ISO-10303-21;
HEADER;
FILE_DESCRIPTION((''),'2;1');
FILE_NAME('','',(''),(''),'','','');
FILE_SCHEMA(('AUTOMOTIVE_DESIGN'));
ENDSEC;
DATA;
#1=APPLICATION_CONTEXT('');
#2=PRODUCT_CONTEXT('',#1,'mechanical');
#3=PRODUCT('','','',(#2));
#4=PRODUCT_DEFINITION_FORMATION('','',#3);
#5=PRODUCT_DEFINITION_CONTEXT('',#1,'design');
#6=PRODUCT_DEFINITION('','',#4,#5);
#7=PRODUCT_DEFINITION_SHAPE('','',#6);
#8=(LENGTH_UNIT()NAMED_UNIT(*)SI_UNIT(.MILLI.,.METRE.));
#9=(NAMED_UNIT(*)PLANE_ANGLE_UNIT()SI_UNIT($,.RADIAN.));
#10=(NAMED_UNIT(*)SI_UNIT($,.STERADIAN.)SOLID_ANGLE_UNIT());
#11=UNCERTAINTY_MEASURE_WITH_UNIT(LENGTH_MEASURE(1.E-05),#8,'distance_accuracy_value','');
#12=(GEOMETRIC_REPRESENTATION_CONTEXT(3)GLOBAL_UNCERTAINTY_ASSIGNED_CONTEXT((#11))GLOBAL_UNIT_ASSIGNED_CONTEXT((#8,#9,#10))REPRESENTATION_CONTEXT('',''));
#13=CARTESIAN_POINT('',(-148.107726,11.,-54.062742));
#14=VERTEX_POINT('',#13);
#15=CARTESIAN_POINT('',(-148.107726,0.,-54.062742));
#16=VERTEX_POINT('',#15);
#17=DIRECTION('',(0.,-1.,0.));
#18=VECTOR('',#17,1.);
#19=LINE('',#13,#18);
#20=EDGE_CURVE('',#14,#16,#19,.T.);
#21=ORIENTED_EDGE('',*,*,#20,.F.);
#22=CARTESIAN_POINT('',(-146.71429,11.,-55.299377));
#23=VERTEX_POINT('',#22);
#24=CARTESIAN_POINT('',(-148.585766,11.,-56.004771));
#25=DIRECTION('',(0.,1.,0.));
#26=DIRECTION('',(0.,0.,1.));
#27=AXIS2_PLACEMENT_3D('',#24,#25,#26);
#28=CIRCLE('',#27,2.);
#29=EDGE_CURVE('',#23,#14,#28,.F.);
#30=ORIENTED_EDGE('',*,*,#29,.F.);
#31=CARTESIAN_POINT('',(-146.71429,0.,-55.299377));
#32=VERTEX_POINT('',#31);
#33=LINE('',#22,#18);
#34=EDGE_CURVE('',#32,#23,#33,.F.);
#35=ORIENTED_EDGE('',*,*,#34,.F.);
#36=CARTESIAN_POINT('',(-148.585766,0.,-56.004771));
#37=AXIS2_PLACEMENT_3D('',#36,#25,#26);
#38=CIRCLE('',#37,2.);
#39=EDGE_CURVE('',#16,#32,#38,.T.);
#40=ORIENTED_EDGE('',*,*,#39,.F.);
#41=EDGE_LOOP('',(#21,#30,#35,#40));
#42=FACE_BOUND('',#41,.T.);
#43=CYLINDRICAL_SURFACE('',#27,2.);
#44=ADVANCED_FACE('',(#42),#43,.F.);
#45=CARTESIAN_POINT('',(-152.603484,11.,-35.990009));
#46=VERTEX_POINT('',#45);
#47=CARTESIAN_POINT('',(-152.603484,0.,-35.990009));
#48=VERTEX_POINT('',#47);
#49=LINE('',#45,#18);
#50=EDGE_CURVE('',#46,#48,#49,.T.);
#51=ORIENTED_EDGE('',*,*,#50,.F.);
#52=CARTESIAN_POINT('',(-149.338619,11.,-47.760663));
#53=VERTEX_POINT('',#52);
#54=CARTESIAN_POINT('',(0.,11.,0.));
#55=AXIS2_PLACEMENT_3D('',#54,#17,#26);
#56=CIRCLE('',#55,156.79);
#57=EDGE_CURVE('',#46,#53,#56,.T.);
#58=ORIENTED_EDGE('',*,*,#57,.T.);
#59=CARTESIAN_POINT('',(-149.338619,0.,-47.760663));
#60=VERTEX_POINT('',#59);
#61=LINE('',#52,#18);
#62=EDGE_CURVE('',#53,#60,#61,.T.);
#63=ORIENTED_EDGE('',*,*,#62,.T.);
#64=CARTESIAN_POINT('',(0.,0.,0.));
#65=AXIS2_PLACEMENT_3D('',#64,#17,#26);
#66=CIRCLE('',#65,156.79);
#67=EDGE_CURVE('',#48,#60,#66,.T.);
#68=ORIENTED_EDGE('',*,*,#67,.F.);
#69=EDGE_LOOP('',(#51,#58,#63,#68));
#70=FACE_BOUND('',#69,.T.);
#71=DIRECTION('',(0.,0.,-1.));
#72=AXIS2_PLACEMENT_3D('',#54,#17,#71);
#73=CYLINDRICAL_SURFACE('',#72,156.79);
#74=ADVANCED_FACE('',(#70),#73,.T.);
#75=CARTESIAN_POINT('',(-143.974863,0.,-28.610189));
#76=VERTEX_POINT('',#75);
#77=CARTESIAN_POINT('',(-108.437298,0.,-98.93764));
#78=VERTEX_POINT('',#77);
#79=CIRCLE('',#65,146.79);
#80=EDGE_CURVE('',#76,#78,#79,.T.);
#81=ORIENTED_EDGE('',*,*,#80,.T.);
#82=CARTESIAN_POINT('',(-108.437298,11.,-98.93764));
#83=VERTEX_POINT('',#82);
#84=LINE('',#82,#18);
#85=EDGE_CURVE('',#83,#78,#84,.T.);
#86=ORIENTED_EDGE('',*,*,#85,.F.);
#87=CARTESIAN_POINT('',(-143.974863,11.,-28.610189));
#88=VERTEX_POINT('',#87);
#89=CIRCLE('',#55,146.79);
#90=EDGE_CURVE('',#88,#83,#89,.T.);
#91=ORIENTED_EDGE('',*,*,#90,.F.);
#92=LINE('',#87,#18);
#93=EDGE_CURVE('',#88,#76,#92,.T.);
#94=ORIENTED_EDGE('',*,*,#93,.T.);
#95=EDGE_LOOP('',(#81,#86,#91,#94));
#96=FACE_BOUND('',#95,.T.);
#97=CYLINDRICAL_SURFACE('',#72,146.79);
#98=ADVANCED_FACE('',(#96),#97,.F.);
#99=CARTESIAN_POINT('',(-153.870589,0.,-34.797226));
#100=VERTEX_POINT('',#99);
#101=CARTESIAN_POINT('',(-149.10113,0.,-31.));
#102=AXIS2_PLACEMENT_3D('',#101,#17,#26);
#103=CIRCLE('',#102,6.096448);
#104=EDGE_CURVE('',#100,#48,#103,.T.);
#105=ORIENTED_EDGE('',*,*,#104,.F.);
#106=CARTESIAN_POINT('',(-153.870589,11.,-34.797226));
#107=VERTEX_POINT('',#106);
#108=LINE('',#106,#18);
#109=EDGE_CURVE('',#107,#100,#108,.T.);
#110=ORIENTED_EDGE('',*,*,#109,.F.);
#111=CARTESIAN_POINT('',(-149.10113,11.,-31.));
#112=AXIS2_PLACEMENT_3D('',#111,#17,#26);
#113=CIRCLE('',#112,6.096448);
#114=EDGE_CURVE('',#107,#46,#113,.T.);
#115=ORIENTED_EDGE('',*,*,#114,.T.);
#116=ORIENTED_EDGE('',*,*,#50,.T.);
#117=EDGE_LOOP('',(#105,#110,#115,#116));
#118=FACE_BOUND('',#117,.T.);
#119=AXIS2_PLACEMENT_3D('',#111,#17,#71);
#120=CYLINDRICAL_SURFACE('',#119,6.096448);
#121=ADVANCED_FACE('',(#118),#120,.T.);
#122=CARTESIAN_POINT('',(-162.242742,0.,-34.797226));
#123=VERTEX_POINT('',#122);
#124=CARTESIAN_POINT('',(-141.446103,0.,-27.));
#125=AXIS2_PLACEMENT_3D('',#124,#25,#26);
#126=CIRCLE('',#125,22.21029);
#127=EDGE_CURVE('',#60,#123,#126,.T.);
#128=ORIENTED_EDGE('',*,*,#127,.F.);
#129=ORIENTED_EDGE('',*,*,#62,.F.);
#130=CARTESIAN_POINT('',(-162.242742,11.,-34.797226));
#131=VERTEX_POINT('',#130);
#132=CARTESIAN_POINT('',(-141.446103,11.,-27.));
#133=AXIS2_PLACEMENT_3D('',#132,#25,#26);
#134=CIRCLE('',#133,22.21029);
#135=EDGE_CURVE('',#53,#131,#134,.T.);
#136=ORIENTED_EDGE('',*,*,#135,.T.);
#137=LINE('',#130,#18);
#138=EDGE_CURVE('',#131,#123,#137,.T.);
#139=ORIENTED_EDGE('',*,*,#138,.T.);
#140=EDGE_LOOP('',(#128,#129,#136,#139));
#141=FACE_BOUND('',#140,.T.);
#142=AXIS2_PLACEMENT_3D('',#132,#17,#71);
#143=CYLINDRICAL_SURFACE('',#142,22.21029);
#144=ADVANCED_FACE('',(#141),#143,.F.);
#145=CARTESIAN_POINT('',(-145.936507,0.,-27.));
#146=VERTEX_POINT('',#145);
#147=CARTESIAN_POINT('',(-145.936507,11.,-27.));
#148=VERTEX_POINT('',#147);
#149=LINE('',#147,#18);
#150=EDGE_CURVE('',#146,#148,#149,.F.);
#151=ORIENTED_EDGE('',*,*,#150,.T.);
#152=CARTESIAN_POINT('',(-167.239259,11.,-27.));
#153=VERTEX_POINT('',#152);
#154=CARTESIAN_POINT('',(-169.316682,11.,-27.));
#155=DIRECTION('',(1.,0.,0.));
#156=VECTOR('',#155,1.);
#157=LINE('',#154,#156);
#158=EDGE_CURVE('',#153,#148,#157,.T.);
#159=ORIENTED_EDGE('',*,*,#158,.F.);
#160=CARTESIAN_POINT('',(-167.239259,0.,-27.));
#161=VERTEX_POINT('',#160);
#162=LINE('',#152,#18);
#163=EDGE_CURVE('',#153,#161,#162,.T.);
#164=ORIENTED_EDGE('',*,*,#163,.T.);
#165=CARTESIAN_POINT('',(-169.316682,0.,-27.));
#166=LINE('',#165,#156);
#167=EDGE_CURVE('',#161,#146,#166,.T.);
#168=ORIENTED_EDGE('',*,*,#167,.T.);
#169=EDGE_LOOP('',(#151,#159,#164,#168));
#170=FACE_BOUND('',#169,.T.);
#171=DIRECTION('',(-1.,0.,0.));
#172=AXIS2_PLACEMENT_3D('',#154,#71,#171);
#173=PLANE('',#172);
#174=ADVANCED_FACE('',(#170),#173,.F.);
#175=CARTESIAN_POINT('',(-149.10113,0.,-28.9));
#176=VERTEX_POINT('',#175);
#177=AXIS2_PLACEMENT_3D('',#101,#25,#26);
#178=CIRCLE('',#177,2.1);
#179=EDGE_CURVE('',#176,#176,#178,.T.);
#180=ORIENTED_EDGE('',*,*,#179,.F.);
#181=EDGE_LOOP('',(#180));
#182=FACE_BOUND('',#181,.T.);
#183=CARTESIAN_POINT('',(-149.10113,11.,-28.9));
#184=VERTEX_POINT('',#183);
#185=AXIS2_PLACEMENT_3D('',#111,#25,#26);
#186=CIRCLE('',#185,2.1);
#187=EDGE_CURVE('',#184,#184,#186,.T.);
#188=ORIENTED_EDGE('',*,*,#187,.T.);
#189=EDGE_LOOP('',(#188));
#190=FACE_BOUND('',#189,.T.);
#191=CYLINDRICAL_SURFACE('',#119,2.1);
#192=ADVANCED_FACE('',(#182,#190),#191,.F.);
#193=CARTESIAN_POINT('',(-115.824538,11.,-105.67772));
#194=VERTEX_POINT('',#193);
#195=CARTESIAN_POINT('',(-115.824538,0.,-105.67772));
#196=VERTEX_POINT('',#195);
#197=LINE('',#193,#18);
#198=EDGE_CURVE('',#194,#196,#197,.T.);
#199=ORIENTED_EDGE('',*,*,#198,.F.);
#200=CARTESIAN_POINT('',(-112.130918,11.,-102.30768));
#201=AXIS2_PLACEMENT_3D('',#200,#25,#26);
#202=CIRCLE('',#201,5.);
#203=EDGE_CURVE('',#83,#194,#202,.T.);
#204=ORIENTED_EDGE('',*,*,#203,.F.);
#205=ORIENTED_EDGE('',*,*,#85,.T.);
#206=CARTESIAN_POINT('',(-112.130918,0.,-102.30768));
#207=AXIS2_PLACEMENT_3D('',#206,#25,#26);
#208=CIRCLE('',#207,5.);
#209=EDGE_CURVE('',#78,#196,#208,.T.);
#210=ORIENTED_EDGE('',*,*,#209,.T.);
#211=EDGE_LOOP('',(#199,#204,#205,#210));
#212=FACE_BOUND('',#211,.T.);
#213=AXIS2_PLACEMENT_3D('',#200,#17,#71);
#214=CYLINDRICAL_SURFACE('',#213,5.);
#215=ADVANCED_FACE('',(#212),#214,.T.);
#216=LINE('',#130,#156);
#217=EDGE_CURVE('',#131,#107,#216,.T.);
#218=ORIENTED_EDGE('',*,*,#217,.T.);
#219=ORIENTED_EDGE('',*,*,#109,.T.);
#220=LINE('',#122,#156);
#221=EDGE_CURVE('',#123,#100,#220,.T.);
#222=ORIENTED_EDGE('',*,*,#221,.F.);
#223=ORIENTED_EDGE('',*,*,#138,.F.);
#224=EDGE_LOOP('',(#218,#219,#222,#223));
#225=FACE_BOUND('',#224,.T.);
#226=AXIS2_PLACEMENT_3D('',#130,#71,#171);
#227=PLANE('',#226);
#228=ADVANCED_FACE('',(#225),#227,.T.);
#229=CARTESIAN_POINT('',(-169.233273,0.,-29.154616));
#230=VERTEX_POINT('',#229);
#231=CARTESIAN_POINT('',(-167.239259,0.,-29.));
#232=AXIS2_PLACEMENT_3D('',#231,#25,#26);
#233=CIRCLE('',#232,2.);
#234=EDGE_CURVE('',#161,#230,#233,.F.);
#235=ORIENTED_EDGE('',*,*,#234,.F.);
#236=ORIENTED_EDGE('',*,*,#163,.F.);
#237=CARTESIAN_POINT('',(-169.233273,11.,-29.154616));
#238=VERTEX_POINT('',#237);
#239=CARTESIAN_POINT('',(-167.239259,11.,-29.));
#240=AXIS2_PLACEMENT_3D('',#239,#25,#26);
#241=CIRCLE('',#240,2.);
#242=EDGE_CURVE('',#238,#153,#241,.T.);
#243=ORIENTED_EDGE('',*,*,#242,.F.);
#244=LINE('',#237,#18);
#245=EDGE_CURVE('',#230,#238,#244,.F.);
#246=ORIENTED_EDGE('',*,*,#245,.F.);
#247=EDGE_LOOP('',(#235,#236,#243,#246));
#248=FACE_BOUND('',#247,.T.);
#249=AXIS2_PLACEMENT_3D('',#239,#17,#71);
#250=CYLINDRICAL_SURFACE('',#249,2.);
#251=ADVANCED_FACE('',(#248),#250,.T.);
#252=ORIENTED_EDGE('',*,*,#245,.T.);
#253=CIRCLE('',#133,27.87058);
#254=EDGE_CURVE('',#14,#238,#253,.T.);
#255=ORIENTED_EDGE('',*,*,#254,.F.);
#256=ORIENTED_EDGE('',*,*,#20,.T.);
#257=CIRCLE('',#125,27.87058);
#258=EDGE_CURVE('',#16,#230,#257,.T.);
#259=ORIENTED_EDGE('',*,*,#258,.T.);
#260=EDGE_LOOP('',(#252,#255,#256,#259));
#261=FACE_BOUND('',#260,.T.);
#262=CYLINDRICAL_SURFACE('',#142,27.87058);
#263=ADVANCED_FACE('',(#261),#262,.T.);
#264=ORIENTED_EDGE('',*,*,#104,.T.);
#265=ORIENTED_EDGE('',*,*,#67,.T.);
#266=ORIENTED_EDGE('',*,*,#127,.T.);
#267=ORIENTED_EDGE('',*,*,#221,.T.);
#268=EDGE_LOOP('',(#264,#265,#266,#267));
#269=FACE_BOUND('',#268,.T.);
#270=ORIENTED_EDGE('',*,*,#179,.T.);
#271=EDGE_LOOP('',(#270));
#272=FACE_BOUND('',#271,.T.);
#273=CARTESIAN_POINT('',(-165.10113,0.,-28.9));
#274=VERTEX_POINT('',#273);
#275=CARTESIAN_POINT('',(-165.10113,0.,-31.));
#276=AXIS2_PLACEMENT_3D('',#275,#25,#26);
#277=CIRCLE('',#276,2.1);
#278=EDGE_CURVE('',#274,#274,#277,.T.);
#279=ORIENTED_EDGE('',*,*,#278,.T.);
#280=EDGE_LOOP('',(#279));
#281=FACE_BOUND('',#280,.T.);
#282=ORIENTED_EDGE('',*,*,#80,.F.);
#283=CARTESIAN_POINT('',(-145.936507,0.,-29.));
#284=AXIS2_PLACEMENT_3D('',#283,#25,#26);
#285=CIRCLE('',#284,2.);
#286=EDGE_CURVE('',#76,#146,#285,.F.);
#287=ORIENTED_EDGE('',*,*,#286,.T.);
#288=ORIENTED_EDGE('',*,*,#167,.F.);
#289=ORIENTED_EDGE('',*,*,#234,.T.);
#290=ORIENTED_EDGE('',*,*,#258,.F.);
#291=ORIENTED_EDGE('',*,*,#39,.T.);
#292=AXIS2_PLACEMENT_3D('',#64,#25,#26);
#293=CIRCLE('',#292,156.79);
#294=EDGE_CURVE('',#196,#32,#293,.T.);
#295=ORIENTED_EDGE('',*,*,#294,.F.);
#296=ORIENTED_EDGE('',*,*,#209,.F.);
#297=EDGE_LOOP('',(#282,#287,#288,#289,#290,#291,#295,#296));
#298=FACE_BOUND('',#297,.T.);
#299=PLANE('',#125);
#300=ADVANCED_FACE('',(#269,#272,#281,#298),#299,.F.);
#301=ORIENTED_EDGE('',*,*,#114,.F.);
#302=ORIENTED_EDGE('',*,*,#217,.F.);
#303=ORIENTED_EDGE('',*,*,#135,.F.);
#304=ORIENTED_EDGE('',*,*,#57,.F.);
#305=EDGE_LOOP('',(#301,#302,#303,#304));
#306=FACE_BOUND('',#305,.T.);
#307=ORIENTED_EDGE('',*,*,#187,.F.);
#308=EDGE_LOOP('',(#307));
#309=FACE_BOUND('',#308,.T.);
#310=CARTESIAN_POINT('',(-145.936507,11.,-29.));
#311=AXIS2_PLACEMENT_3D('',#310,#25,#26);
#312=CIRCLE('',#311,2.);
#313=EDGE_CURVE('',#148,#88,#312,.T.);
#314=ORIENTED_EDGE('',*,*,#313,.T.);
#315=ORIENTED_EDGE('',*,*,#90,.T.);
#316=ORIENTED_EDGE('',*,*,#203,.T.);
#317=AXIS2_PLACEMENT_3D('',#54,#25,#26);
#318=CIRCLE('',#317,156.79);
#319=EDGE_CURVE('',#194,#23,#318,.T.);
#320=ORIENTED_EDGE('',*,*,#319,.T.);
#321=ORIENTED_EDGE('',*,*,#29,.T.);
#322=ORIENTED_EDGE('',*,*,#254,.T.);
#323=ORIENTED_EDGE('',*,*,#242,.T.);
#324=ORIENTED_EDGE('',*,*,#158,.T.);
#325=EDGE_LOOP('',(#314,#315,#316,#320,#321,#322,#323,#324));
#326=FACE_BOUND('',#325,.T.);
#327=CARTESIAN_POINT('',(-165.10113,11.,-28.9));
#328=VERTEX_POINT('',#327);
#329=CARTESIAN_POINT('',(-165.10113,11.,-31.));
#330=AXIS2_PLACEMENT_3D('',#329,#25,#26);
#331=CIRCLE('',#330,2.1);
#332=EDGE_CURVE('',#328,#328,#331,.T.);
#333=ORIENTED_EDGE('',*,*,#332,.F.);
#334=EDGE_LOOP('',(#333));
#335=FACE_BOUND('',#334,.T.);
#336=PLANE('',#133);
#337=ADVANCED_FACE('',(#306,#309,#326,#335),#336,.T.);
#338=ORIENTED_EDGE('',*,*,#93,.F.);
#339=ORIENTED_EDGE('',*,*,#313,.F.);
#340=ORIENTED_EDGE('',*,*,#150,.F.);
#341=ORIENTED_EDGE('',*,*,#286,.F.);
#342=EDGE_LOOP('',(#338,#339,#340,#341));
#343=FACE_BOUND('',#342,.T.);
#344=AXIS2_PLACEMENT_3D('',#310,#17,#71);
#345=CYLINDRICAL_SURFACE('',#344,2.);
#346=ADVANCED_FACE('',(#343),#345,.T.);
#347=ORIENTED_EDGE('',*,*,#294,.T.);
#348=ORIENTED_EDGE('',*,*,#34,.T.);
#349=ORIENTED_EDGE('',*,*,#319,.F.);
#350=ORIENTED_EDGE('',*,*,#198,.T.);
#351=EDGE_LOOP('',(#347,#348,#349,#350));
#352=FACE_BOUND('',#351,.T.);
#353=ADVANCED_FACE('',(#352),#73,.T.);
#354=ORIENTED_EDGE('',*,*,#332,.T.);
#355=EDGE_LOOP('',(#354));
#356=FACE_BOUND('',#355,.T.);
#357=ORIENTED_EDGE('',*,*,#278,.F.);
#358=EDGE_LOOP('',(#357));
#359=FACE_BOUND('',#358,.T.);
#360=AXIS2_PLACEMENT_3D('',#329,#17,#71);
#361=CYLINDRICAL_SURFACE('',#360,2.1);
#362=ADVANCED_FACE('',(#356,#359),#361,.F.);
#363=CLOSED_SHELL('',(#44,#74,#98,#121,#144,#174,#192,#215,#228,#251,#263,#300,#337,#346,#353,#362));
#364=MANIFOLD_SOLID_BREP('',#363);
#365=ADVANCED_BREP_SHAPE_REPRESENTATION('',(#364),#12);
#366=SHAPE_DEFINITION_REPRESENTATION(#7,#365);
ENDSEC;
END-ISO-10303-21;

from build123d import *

# Parameters (mm, degrees)
SKETCH1_R           = 2.1
BOSS_EXTRUDE1_DEPTH = 11
FILLET1_R           = 2


with BuildPart() as part:
    # Sketch1 → Boss-Extrude1 (new body)
    with BuildSketch(Plane(origin=(0, 0, 0), x_dir=(1, 0, 0), z_dir=(0, 1, 0))):
        with BuildLine():
            Line((-169.316682473, 27), (-144.285495113, 27))
            ThreePointArc((-144.285495113, 27), (-131.38096704, 65.470188633), (-108.437297629, 98.937639869))
            ThreePointArc((-108.437297629, 98.937639869), (-108.760877497, 106.001300115), (-115.824537743, 105.677720247))
            ThreePointArc((-115.824537743, 105.677720247), (-133.944213048, 81.498784597), (-147.089597617, 54.293225847))
            ThreePointArc((-147.089597617, 54.293225847), (-163.056941322, 44.599456514), (-169.316682473, 27))
        make_face()
        with Locations(Location((-149.101129521, 31, 0), (0, 0, 270))):
            Circle(SKETCH1_R, mode=Mode.SUBTRACT)
        with Locations(Location((-165.101129521, 31, 0), (0, 0, 270))):
            Circle(SKETCH1_R, mode=Mode.SUBTRACT)
        with BuildLine():
            Line((-162.242742421, 34.797226479), (-153.870589387, 34.797226479))
            ThreePointArc((-153.870589387, 34.797226479), (-153.279814844, 35.43906131), (-152.603484102, 35.990008892))
            ThreePointArc((-152.603484102, 35.990008892), (-151.085722301, 41.907142789), (-149.338618997, 47.76066348))
            ThreePointArc((-149.338618997, 47.76066348), (-157.187118972, 42.668993907), (-162.242742421, 34.797226479))
        make_face(mode=Mode.SUBTRACT)
    extrude(amount=BOSS_EXTRUDE1_DEPTH)

    # Fillet1
    fillet1_edges = [part.edges().sort_by_distance(p)[0] for p in [
        (-147.089597617, 5.5, -54.293225847),
        (-144.285495113, 5.5, -27),
        (-169.316682473, 5.5, -27),
    ]]
    fillet(fillet1_edges, radius=FILLET1_R)


solid = part.part
